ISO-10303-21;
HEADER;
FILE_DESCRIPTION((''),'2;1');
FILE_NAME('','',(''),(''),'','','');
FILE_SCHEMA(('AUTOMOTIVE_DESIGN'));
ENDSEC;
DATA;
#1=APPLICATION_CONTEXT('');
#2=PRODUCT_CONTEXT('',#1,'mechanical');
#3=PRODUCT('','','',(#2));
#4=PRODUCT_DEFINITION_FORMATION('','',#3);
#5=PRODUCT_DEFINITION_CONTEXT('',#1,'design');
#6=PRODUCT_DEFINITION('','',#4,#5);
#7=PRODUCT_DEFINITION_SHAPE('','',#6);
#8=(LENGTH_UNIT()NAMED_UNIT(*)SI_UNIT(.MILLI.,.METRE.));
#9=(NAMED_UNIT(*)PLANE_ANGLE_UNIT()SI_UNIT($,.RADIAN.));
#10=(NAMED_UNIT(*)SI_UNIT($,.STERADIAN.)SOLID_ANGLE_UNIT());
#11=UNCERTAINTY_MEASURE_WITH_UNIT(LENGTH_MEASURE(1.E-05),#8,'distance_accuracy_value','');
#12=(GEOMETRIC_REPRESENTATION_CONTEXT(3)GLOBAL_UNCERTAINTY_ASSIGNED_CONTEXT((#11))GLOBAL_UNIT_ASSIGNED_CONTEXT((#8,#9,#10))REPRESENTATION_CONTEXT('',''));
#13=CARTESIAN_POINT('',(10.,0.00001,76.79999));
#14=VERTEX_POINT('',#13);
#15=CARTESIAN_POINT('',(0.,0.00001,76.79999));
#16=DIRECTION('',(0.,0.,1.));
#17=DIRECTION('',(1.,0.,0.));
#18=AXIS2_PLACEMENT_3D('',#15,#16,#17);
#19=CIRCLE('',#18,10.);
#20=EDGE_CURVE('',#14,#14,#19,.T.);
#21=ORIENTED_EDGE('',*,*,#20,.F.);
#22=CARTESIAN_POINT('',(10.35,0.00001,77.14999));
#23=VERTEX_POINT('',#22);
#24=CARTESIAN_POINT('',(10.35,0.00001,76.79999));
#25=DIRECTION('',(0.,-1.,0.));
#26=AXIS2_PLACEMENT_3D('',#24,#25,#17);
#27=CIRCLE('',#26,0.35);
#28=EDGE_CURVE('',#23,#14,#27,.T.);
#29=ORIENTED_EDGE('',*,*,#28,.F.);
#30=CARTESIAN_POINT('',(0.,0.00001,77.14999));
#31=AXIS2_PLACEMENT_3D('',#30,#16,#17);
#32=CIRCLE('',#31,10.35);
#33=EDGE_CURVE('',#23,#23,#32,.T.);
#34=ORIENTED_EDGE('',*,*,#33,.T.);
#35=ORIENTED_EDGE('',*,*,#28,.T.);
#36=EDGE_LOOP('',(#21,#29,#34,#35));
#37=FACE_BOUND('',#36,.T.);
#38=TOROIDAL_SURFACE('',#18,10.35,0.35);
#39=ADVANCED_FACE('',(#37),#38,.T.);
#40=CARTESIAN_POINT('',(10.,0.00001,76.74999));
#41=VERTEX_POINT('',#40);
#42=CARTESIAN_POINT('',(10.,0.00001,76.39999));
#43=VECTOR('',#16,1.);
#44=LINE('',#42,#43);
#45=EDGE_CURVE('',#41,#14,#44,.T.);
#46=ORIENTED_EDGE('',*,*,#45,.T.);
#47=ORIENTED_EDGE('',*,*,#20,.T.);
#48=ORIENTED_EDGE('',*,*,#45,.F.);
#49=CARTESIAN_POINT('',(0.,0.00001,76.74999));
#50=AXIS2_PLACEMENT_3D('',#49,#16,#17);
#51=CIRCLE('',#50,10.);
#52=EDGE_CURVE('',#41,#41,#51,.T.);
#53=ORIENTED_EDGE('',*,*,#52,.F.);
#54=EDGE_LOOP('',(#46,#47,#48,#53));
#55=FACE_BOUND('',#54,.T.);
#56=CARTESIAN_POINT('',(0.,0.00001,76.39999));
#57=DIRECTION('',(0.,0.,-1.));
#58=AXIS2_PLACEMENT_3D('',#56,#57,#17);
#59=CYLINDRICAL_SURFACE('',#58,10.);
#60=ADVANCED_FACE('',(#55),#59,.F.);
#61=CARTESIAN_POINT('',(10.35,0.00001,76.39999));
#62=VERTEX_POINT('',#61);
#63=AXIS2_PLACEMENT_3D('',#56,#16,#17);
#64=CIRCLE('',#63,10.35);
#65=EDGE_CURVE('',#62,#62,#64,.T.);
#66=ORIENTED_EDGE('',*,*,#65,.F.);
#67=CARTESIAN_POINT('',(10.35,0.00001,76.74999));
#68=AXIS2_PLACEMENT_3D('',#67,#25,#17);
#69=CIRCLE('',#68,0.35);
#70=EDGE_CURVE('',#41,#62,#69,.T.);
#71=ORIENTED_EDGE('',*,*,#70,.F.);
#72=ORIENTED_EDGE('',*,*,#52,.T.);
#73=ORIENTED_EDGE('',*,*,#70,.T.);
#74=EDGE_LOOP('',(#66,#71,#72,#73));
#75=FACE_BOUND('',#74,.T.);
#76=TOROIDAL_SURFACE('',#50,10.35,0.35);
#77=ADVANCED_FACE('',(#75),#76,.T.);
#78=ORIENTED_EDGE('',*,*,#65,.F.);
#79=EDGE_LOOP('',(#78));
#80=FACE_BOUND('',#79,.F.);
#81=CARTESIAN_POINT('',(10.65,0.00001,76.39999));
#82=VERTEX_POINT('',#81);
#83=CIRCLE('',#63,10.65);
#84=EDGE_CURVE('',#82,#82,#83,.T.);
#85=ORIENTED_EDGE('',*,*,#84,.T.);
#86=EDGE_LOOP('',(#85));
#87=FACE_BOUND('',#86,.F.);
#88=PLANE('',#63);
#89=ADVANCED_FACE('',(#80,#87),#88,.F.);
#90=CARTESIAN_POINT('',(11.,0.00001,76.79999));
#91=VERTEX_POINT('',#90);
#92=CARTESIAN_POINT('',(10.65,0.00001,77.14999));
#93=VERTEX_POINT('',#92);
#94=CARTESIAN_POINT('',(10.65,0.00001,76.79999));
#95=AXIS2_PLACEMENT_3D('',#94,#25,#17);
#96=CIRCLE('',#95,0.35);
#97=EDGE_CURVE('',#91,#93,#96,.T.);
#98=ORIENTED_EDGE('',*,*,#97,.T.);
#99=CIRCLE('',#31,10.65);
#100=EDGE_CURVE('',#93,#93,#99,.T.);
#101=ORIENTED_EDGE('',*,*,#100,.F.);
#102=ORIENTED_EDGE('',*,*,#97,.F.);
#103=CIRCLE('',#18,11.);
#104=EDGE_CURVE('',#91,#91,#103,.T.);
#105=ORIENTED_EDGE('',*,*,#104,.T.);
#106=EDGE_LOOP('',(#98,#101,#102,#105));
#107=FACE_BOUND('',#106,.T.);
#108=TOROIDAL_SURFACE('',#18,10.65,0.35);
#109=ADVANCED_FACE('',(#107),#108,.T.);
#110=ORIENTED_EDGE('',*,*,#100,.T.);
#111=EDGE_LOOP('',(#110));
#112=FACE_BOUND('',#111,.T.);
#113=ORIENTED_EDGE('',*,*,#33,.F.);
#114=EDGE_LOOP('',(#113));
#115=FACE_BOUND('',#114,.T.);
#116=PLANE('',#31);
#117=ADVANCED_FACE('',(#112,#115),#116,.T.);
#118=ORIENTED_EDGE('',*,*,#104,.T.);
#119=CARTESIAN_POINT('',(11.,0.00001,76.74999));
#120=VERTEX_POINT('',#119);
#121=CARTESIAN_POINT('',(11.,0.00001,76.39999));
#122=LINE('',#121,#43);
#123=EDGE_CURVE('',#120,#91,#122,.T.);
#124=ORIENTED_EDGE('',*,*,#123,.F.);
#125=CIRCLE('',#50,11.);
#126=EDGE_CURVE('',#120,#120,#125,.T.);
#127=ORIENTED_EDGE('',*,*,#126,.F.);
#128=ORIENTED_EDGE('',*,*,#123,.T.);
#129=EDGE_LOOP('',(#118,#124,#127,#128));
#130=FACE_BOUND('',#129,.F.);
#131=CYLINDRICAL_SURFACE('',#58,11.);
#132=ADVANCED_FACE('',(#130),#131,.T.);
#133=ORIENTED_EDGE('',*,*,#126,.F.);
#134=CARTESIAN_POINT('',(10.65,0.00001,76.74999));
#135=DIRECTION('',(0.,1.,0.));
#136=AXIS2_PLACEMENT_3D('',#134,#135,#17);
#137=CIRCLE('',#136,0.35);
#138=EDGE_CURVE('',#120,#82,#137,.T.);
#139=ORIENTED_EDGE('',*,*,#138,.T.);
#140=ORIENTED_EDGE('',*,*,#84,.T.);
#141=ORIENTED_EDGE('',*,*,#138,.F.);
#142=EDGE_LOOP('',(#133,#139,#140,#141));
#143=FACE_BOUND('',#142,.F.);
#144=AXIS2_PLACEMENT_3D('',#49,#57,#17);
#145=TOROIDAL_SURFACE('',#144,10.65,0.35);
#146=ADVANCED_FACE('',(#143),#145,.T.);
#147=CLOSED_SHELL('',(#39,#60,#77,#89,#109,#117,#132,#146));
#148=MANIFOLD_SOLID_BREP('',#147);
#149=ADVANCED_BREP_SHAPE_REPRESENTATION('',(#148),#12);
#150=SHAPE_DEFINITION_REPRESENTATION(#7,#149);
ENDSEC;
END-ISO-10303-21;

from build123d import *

# Parameters (mm, degrees)
SKETCH017_R   = 11
SKETCH017_R_2 = 10
PAD007_DEPTH  = 0.75
FILLET006_R   = 0.35
FILLET007_R   = 0.35
FILLET008_R   = 0.35
FILLET009_R   = 0.35


with BuildPart() as part:
    # Sketch017 → Pad007 (new body)
    with BuildSketch(Plane.XY):
        Circle(SKETCH017_R)
        Circle(SKETCH017_R_2, mode=Mode.SUBTRACT)
    extrude(amount=PAD007_DEPTH)

    # Fillet006
    fillet006_edges = [part.edges().sort_by_distance(p)[0] for p in [
        (-11, 0, 0.75),
    ]]
    fillet(fillet006_edges, radius=FILLET006_R)

    # Fillet007
    fillet007_edges = [part.edges().sort_by_distance(p)[0] for p in [
        (-11, 0, 0),
    ]]
    fillet(fillet007_edges, radius=FILLET007_R)

    # Fillet008
    fillet008_edges = [part.edges().sort_by_distance(p)[0] for p in [
        (-10, 0, 0.75),
    ]]
    fillet(fillet008_edges, radius=FILLET008_R)

    # Fillet009
    fillet009_edges = [part.edges().sort_by_distance(p)[0] for p in [
        (-10, 0, 0),
    ]]
    fillet(fillet009_edges, radius=FILLET009_R)


with BuildPart() as part_1:
    # Body005 placement: moved
    add(part.part.moved(Location((0, 1e-05, 76.39999))))


solid = part_1.part
